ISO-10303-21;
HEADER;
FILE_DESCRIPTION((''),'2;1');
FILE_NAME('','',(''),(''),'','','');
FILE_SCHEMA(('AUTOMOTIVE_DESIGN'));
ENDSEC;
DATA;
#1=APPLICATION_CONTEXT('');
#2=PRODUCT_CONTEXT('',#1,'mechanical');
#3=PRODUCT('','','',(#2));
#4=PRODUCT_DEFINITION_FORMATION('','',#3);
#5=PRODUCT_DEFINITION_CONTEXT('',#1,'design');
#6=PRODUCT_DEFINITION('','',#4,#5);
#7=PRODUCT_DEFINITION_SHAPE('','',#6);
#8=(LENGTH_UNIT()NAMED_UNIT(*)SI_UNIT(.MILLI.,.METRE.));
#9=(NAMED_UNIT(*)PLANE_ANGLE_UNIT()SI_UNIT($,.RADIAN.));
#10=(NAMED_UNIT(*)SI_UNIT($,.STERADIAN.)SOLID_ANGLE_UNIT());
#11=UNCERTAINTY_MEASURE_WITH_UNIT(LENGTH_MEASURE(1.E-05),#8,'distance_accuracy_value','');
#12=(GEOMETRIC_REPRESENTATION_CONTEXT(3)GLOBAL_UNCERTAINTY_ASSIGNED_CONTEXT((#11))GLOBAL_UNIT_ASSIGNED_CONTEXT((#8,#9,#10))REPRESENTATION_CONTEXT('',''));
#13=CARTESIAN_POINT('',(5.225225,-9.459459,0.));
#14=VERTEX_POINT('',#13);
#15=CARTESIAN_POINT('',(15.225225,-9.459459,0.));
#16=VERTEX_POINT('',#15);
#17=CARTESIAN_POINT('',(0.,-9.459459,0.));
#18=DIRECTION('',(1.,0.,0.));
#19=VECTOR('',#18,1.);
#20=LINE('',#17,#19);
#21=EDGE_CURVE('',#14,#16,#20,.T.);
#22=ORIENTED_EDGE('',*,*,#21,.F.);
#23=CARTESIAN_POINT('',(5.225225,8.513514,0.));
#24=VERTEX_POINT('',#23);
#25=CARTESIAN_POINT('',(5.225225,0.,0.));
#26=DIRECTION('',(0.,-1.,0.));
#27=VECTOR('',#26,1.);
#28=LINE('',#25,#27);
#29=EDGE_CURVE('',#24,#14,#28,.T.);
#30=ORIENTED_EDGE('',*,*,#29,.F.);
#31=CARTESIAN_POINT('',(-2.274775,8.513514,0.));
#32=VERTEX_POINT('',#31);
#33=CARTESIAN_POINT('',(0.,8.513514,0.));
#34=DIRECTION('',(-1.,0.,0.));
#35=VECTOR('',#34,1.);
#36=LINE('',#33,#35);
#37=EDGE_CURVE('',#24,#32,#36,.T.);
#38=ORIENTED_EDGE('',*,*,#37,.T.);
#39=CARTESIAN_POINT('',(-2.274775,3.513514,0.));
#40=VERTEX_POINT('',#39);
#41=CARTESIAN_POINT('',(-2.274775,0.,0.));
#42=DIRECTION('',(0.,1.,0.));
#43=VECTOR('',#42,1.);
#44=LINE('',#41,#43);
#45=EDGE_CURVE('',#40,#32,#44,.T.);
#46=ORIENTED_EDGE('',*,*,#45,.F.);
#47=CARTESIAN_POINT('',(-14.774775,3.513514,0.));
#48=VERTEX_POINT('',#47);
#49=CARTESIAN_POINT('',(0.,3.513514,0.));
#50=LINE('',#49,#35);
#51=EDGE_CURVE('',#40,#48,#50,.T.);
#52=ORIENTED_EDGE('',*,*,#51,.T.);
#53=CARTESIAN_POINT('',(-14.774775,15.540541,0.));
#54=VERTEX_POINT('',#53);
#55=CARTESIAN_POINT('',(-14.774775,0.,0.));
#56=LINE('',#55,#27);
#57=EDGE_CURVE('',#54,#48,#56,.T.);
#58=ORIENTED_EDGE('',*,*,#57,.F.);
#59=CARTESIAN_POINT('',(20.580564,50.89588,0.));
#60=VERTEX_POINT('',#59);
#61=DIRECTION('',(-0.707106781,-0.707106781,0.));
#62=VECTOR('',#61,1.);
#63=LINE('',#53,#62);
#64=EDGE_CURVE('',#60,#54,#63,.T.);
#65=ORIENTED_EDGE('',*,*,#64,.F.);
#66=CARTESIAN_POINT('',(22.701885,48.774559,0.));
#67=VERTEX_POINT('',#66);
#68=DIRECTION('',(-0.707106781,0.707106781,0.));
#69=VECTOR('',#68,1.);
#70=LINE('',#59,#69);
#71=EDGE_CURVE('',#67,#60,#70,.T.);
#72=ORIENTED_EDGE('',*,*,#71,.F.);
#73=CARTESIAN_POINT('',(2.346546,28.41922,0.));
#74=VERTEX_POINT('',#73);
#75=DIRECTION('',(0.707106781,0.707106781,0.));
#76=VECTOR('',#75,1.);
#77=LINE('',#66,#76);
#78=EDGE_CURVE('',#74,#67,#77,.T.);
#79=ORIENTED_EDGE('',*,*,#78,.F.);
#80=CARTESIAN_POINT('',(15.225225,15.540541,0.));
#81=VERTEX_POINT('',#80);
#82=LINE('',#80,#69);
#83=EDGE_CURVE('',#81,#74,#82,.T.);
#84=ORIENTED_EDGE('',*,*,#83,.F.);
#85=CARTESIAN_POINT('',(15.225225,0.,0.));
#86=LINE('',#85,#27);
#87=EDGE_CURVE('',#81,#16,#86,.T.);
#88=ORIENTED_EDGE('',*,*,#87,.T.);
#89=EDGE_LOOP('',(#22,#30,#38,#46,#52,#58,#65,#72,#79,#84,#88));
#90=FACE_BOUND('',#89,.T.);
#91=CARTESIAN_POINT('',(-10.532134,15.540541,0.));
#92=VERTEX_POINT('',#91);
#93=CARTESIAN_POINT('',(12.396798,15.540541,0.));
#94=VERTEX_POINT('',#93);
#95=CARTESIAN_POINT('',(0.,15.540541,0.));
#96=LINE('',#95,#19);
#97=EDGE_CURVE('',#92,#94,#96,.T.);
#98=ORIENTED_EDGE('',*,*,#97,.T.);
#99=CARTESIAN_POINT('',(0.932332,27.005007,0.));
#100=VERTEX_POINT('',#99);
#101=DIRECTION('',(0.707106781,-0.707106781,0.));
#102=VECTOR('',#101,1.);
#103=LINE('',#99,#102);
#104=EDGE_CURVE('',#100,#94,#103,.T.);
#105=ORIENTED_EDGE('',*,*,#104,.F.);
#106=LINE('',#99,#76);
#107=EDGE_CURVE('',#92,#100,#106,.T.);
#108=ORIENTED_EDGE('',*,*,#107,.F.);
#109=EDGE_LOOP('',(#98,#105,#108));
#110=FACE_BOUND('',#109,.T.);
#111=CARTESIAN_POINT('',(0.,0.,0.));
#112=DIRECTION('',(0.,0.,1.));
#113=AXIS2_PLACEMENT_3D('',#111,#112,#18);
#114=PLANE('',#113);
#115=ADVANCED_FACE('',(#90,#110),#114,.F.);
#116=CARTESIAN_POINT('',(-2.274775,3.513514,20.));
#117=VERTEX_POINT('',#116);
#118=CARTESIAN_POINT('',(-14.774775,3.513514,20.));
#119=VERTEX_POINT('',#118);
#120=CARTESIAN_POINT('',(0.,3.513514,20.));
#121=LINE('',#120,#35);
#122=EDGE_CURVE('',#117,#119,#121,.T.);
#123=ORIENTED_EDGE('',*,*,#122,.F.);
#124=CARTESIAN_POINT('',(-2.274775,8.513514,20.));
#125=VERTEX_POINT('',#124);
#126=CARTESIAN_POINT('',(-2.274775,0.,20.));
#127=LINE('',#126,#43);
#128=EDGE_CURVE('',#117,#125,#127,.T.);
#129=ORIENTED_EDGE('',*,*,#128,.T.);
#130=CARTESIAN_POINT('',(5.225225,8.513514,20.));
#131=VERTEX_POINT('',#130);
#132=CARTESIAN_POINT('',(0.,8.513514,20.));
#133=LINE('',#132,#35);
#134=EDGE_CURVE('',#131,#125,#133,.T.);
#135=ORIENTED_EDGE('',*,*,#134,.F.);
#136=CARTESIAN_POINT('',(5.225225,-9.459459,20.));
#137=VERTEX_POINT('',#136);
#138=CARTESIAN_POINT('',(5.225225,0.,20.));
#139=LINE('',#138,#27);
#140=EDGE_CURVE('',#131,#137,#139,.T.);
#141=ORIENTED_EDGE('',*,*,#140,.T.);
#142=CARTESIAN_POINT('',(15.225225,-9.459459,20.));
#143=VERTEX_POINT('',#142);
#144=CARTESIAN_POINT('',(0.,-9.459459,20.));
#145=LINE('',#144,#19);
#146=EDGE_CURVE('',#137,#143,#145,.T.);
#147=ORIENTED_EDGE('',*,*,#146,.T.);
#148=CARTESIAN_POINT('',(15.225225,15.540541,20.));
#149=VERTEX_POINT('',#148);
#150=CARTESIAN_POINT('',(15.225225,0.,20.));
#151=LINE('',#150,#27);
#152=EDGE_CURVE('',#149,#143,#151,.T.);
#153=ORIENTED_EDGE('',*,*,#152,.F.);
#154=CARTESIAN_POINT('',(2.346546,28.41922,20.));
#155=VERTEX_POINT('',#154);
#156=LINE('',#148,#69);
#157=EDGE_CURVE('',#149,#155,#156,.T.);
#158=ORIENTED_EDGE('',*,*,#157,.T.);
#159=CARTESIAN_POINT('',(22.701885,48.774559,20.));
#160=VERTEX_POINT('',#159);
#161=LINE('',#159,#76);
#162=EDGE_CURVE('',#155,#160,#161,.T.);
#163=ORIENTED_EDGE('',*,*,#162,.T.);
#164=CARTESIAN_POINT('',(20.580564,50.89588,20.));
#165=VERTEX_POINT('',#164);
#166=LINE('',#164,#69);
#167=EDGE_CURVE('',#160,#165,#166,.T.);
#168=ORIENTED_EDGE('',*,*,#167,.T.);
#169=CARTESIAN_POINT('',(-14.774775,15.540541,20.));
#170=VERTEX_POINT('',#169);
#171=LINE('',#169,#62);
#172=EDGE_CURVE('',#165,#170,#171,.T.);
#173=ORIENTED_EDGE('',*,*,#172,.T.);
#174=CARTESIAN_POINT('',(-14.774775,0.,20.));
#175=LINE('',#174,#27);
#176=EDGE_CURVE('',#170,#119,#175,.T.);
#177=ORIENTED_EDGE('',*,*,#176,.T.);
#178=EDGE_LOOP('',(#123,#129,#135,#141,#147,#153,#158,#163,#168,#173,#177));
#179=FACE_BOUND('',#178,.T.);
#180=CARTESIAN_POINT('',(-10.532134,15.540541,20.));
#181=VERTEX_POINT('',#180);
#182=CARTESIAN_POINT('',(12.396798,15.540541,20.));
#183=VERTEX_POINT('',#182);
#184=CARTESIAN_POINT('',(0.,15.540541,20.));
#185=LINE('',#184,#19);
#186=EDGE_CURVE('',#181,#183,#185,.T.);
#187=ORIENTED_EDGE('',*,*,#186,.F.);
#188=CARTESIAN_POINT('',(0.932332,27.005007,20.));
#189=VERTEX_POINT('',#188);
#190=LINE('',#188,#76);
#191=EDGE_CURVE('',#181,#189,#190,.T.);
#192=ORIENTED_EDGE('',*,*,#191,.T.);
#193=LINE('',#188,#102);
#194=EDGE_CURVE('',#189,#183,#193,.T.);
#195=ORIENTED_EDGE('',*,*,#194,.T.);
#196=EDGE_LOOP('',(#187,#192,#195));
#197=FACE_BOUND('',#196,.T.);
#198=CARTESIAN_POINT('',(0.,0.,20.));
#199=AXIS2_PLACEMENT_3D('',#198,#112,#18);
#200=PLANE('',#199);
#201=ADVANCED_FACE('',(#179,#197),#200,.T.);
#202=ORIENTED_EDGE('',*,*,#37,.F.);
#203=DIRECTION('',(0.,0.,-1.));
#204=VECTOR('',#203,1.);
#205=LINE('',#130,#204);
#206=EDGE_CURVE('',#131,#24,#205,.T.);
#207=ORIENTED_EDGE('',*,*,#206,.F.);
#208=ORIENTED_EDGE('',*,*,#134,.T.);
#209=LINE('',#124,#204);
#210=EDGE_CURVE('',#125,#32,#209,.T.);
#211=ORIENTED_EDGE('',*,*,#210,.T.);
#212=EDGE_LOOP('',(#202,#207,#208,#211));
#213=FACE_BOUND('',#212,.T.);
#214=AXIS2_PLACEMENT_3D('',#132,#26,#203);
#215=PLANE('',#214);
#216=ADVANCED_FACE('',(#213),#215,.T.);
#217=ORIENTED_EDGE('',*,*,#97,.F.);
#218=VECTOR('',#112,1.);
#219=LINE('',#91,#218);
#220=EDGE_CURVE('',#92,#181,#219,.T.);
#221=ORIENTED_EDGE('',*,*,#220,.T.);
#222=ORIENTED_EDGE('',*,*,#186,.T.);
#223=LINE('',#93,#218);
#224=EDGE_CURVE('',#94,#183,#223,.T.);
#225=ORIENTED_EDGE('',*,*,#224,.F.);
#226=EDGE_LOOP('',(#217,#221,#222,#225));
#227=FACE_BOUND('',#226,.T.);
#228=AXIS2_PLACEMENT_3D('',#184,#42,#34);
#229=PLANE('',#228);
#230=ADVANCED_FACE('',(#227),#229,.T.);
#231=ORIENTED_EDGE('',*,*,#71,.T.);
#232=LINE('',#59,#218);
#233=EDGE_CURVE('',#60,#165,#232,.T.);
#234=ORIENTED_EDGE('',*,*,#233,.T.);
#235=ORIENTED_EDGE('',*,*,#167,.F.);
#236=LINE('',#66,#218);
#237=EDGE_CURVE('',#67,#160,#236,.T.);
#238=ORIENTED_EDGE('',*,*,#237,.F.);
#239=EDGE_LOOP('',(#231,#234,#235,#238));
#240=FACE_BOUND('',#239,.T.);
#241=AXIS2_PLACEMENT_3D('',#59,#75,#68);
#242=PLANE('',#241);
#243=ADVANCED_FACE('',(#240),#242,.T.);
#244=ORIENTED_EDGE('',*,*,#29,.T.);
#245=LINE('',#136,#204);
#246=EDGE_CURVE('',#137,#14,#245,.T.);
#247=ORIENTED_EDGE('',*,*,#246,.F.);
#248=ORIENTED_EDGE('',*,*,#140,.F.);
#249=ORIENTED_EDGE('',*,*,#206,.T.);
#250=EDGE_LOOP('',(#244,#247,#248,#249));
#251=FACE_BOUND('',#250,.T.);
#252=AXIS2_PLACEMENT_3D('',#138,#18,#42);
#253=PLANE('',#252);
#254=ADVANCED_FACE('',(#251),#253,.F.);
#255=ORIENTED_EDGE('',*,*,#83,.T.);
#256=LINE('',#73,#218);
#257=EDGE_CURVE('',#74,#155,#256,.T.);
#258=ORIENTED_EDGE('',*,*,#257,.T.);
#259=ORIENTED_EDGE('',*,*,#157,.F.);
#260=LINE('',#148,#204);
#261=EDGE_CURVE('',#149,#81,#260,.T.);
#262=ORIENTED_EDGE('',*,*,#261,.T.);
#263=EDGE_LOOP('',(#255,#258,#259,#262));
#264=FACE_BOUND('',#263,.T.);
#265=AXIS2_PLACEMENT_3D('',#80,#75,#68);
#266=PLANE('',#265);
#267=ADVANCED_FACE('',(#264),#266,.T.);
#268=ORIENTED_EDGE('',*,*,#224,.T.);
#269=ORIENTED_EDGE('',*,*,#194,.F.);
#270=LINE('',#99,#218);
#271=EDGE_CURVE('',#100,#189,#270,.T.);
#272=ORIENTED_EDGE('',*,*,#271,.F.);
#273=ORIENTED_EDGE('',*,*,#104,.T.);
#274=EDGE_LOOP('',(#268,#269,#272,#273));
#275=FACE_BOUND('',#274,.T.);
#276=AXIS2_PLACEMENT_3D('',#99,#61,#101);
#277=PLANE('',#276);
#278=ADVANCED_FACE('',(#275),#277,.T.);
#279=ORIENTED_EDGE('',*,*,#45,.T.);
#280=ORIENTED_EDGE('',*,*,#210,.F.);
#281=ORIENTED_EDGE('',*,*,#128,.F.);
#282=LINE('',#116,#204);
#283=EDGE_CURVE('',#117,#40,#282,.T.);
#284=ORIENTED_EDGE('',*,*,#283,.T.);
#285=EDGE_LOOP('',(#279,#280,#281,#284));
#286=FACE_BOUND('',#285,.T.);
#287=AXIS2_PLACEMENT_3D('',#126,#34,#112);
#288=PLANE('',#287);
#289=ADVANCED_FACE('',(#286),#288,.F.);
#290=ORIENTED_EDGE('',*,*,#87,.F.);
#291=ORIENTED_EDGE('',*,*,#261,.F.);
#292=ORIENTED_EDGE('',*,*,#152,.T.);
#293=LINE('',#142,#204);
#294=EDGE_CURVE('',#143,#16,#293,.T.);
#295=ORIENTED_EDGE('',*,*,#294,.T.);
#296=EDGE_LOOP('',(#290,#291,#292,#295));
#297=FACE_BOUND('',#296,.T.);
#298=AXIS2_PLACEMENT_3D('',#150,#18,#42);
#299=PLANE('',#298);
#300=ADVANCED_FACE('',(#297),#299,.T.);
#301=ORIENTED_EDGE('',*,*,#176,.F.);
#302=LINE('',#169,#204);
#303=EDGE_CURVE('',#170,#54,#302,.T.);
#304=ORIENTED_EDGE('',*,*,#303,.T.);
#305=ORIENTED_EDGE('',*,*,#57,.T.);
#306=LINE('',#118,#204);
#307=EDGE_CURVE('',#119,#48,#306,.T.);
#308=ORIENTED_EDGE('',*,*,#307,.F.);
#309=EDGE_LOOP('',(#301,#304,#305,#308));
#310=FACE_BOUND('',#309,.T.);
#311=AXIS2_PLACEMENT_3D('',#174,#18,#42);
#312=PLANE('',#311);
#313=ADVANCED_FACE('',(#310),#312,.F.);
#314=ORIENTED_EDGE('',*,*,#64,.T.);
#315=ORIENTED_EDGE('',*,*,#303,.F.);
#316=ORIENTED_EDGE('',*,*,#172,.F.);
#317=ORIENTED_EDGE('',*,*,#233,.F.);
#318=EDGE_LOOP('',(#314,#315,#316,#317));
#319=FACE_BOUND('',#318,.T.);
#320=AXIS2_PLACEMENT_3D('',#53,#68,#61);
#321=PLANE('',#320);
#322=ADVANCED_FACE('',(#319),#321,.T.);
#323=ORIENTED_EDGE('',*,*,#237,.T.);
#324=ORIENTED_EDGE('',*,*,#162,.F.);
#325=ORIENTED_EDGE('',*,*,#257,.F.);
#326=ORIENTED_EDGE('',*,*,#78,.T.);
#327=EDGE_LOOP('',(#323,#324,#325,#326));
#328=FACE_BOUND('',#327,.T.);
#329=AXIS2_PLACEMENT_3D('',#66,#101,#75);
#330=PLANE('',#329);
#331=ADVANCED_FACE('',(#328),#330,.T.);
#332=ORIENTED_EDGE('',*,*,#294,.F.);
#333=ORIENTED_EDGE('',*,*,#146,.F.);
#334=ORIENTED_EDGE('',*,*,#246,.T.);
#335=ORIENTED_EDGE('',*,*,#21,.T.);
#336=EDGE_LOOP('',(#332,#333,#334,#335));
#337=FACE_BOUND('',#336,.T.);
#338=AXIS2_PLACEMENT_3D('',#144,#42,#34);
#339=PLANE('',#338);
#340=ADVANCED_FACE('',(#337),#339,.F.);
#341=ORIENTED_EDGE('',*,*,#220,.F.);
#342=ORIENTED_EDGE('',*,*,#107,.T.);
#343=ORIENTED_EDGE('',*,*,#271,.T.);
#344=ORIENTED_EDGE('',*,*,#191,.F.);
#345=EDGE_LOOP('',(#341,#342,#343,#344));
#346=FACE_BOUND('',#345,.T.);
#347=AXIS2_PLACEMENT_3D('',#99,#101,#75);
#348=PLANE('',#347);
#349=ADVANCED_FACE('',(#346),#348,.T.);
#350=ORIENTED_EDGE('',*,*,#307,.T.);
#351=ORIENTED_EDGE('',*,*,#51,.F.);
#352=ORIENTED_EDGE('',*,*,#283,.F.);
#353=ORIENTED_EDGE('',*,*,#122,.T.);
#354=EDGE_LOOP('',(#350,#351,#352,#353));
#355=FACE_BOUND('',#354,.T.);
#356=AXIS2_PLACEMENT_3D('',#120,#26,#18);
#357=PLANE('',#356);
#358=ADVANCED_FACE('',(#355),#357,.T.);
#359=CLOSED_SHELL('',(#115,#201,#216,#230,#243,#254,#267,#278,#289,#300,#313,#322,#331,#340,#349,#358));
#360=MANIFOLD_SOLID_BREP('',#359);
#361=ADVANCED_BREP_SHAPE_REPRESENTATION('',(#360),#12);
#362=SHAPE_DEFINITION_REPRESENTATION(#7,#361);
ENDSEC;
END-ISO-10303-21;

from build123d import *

# Parameters (mm, degrees)
BOSS_EXTRUDE2_DEPTH = 20
BOSS_EXTRUDE3_DEPTH = 20


with BuildPart() as part:
    # Sketch1 → Boss-Extrude2 (new body)
    with BuildSketch(Plane.XY):
        Polygon((-2.274774775, 3.513513514), (-14.774774775, 3.513513514), (-14.774774775, 15.540540541), (5.225225225, 15.540540541), (15.225225225, 15.540540541), (15.225225225, -9.459459459), (5.225225225, -9.459459459), (5.225225225, 8.513513514), (-2.274774775, 8.513513514), align=None)
    extrude(amount=BOSS_EXTRUDE2_DEPTH)

    # Sketch2 → Boss-Extrude3 (add)
    with BuildSketch(Plane.XY.offset(20)):
        Polygon((-14.774774775, 15.540540541), (20.580564285, 50.8958796), (22.701884628, 48.774559256), (2.346545569, 28.419220197), (15.225225225, 15.540540541), (12.3967981, 15.540540541), (0.932332006, 27.005006635), (-10.532134088, 15.540540541), align=None)
    extrude(amount=-BOSS_EXTRUDE3_DEPTH)


solid = part.part
